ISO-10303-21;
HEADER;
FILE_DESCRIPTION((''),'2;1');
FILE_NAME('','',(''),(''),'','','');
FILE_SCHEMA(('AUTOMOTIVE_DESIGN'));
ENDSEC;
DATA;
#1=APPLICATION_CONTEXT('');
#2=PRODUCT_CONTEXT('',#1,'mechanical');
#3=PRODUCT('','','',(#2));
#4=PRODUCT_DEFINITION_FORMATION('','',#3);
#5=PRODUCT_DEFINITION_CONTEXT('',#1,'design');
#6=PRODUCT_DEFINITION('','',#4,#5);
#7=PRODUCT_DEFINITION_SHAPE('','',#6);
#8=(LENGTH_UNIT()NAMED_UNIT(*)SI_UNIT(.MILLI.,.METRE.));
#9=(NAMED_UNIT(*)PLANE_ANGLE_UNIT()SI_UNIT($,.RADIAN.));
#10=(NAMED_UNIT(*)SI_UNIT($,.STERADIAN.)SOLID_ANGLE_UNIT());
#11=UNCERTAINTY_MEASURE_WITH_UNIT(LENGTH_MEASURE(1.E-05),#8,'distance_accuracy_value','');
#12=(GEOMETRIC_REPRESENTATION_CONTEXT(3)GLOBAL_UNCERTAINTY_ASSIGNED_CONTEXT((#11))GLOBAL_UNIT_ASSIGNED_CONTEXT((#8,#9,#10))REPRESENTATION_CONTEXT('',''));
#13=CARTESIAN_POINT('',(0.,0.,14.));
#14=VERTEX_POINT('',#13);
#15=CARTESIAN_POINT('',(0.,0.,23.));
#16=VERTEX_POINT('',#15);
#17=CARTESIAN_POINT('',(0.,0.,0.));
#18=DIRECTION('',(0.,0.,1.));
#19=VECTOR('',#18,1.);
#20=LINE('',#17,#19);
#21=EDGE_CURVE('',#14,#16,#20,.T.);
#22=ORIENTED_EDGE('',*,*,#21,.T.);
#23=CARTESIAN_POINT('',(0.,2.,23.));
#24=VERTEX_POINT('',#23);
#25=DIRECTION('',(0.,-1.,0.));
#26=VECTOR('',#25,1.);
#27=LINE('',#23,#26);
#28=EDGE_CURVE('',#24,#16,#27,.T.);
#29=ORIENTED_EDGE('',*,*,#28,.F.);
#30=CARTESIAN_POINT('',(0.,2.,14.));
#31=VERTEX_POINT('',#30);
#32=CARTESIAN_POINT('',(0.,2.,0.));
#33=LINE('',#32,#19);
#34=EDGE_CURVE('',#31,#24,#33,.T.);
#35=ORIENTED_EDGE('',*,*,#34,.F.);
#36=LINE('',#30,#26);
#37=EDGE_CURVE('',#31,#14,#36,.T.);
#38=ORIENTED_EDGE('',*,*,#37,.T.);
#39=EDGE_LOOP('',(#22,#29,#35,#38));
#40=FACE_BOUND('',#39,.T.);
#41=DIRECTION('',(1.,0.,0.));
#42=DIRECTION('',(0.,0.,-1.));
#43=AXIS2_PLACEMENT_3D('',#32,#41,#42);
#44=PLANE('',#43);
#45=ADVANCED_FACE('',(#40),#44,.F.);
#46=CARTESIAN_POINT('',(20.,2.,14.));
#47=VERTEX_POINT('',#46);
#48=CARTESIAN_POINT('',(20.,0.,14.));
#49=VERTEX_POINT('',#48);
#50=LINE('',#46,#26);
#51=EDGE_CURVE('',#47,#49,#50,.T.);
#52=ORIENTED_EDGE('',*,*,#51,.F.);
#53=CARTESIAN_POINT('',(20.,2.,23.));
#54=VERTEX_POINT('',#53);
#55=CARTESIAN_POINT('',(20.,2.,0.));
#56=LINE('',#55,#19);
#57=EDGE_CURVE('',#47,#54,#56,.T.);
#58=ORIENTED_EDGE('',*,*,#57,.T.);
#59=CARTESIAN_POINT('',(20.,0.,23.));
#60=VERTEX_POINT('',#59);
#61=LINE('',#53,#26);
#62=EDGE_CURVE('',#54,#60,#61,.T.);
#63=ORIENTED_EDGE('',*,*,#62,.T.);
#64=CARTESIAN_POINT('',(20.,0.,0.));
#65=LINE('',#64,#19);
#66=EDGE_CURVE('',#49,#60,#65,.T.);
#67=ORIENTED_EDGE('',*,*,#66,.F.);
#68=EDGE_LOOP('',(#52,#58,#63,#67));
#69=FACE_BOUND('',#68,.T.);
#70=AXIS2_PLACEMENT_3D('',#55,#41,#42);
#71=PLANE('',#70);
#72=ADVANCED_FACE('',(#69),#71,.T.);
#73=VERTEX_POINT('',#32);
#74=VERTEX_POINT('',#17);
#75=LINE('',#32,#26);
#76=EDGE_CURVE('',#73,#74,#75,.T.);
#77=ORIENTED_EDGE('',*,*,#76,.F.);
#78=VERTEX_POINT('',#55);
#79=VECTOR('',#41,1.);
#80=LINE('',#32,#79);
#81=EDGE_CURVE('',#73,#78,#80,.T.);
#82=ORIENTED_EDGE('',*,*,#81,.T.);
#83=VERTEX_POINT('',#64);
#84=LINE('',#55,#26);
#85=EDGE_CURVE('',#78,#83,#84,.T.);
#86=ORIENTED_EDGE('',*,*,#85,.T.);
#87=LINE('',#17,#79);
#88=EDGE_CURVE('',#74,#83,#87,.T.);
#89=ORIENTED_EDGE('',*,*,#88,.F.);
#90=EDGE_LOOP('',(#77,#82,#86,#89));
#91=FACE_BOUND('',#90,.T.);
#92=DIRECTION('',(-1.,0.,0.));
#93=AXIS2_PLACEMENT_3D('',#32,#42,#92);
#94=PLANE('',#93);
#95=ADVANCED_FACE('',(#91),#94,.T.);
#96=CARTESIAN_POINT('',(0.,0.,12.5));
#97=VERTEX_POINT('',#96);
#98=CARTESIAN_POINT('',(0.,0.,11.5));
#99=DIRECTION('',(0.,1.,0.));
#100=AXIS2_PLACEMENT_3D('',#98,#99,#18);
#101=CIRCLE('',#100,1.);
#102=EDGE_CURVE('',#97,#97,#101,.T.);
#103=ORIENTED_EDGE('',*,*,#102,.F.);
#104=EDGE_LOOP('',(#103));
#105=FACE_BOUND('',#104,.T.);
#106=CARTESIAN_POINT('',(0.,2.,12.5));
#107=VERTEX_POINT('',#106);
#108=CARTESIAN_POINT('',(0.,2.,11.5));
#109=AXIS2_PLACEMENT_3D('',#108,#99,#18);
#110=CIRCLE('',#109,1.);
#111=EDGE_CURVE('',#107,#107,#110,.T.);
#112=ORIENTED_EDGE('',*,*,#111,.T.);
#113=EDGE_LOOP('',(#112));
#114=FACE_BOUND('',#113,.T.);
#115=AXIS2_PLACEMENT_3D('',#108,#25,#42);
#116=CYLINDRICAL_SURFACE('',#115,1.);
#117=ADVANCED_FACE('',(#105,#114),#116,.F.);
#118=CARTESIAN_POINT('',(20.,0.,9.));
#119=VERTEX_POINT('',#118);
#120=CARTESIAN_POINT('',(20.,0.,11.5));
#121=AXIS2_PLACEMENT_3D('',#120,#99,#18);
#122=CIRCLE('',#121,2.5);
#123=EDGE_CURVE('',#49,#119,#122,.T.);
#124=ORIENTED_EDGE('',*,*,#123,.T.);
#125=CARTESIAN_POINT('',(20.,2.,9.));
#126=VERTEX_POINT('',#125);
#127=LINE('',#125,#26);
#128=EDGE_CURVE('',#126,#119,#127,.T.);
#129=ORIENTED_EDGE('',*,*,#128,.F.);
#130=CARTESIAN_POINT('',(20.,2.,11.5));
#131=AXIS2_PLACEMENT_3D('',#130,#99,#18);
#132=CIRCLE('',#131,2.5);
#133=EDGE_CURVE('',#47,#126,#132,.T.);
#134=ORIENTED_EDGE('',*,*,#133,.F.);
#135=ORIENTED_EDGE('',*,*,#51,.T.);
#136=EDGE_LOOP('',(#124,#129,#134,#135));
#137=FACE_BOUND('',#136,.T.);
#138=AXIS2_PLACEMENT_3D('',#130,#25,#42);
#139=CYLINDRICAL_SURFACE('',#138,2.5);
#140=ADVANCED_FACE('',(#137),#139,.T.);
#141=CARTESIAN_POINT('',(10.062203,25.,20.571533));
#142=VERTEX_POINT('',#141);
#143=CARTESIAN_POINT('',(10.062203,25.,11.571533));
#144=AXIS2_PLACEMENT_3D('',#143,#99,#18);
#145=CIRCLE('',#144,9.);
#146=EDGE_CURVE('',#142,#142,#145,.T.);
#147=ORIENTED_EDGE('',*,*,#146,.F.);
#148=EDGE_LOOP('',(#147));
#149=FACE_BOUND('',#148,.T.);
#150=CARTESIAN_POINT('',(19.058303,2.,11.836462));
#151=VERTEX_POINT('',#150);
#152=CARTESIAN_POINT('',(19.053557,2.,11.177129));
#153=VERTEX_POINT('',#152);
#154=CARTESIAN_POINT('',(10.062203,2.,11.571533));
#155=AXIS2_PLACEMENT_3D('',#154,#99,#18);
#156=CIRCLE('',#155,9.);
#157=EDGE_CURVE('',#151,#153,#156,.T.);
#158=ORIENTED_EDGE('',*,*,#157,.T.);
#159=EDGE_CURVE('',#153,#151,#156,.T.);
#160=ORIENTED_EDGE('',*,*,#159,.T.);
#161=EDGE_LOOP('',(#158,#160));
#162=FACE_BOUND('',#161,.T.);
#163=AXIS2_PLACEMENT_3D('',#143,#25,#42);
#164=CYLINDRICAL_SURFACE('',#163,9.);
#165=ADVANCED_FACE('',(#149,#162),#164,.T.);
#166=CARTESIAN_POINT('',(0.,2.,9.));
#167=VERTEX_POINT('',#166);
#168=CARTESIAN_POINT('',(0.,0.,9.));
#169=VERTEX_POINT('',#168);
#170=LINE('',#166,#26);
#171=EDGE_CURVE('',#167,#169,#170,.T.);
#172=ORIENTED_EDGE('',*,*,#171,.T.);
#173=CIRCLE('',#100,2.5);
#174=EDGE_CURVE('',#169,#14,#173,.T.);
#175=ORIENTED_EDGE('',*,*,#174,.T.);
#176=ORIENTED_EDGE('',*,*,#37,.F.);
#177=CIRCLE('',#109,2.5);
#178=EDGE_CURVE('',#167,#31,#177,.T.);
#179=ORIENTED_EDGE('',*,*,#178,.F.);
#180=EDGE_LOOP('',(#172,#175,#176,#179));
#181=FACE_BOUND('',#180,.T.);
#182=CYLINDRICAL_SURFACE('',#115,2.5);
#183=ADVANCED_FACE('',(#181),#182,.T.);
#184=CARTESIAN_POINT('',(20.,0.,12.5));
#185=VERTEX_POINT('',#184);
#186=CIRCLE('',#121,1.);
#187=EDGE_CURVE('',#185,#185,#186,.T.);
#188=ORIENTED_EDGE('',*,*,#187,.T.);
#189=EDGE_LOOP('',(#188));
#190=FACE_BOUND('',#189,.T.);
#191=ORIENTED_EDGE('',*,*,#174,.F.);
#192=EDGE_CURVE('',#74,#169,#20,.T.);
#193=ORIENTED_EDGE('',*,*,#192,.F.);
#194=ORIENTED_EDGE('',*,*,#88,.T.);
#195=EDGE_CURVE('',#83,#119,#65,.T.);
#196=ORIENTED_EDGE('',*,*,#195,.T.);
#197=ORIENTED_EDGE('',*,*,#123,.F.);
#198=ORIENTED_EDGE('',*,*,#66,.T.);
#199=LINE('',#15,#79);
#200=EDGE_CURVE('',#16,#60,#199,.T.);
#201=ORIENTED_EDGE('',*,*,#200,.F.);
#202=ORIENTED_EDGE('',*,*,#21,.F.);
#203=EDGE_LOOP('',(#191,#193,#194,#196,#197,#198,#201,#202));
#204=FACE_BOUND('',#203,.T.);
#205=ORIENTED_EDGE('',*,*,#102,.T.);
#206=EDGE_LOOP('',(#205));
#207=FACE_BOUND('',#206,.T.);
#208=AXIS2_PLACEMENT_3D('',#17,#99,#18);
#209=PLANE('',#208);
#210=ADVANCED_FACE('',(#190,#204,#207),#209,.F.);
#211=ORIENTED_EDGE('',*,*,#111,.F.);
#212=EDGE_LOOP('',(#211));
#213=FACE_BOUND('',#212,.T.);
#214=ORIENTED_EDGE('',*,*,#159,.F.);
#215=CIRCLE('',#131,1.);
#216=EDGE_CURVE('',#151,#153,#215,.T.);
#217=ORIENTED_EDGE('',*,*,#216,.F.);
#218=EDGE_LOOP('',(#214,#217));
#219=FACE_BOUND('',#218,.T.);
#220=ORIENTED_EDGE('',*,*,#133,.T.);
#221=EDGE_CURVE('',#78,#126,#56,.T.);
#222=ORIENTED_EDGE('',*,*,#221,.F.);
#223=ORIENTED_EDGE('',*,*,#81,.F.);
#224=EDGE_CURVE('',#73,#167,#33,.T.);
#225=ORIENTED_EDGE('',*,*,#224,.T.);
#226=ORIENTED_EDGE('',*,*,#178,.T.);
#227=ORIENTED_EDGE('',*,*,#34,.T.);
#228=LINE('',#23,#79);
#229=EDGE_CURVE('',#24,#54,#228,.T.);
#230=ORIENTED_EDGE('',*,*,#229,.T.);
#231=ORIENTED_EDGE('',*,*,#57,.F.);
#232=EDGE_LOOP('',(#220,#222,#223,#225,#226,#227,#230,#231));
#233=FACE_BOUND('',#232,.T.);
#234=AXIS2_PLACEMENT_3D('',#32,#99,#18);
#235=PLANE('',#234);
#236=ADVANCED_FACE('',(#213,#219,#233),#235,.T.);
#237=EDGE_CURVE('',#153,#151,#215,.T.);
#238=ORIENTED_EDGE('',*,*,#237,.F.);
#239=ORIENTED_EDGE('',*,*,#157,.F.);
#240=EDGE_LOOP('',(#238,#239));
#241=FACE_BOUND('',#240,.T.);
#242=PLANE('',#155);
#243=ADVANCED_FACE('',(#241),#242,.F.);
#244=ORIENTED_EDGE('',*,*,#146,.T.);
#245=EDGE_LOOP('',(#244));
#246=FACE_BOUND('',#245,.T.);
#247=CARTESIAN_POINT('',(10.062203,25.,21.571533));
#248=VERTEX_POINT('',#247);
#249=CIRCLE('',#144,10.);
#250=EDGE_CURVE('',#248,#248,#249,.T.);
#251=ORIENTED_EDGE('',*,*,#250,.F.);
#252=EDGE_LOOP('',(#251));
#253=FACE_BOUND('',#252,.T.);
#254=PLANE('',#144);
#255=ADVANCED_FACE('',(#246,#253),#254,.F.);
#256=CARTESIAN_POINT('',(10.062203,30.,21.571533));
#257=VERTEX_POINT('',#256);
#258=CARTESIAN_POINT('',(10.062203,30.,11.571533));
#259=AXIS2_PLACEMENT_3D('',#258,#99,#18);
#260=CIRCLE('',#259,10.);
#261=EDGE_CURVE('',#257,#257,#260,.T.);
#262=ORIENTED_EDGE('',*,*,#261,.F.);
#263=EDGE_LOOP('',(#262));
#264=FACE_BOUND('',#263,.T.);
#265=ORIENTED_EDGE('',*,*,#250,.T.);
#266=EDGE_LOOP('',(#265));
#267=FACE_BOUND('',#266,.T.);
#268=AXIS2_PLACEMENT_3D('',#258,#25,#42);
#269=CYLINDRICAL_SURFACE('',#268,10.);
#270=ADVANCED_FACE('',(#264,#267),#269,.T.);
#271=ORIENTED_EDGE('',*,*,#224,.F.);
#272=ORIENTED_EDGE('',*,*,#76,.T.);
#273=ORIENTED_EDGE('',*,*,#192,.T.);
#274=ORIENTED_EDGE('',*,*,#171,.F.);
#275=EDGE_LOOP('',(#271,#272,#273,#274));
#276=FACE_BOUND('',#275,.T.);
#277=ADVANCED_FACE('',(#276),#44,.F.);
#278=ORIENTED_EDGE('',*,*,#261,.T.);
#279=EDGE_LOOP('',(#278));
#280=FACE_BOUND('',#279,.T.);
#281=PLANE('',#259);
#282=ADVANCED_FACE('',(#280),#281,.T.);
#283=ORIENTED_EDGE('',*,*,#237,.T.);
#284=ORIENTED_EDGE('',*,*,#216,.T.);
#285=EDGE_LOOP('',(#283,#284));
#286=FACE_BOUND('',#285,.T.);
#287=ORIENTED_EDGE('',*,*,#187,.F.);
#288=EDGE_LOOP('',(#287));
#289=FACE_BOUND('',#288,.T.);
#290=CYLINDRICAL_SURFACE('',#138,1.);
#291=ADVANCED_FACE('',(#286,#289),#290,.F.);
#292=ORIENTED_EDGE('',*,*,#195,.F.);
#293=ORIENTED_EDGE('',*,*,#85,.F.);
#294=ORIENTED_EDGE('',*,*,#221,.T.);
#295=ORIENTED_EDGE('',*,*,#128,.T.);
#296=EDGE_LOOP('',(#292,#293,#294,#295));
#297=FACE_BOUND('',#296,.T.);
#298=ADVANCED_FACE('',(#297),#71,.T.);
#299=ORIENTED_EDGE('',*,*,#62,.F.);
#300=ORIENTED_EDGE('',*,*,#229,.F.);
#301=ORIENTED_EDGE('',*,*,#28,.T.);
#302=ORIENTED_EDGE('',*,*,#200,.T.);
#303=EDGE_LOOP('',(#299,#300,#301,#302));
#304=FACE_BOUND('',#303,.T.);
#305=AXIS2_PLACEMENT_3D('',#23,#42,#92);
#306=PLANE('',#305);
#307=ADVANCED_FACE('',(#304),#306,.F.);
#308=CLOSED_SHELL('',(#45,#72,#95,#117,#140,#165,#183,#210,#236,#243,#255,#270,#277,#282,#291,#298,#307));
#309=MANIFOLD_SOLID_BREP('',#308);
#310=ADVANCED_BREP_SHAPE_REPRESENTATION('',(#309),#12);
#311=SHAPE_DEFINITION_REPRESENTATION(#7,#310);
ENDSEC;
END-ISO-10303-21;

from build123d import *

# Parameters (mm, degrees)
EXTRUDE_1_DEPTH = 2
SKETCH_2_R      = 9
EXTRUDE_2_DEPTH = 23
SKETCH_4_R      = 10
EXTRUDE_3_DEPTH = 5


with BuildPart() as part:
    # 草图1 → 凸台-拉伸1 (new body)
    with BuildSketch(Plane(origin=(0, 0, 0), x_dir=(1, 0, 0), z_dir=(0, 1, 0))):
        with BuildLine():
            Line((17.5, -11.5), (2.5, -11.5))
            ThreePointArc((2.5, -11.5), (1.767766953, -13.267766953), (0, -14))
            Line((0, -14), (0, -23))
            Line((0, -23), (20, -23))
            Line((20, -23), (20, -14))
            ThreePointArc((20, -14), (18.232233047, -13.267766953), (17.5, -11.5))
        make_face()
        with BuildLine():
            ThreePointArc((0, -9), (1.767766953, -9.732233047), (2.5, -11.5))
            Line((2.5, -11.5), (17.5, -11.5))
            ThreePointArc((17.5, -11.5), (18.232233047, -9.732233047), (20, -9))
            Line((20, -9), (20, 0))
            Line((20, 0), (0, 0))
            Line((0, 0), (0, -9))
        make_face()
        with BuildLine():
            ThreePointArc((0, -10.5), (0.707106781, -10.792893219), (1, -11.5))
            Line((1, -11.5), (2.5, -11.5))
            ThreePointArc((2.5, -11.5), (1.767766953, -9.732233047), (0, -9))
            Line((0, -9), (0, -10.5))
        make_face()
        with BuildLine():
            Line((2.5, -11.5), (1, -11.5))
            ThreePointArc((1, -11.5), (0.707106781, -12.207106781), (0, -12.5))
            Line((0, -12.5), (0, -14))
            ThreePointArc((0, -14), (1.767766953, -13.267766953), (2.5, -11.5))
        make_face()
        with BuildLine():
            ThreePointArc((0, -12.5), (-1, -11.5), (0, -10.5))
            Line((0, -10.5), (0, -9))
            ThreePointArc((0, -9), (-2.5, -11.5), (0, -14))
            Line((0, -14), (0, -12.5))
        make_face()
        with BuildLine():
            ThreePointArc((20, -9), (18.232233047, -9.732233047), (17.5, -11.5))
            Line((17.5, -11.5), (19, -11.5))
            ThreePointArc((19, -11.5), (19.292893219, -10.792893219), (20, -10.5))
            Line((20, -10.5), (20, -9))
        make_face()
        with BuildLine():
            Line((19, -11.5), (17.5, -11.5))
            ThreePointArc((17.5, -11.5), (18.232233047, -13.267766953), (20, -14))
            Line((20, -14), (20, -12.5))
            ThreePointArc((20, -12.5), (19.292893219, -12.207106781), (19, -11.5))
        make_face()
        with BuildLine():
            ThreePointArc((22.5, -11.5), (21.767766953, -9.732233047), (20, -9))
            Line((20, -9), (20, -10.5))
            ThreePointArc((20, -10.5), (20.707106781, -10.792893219), (21, -11.5))
            ThreePointArc((21, -11.5), (20.707106781, -12.207106781), (20, -12.5))
            Line((20, -12.5), (20, -14))
            ThreePointArc((20, -14), (21.767766953, -13.267766953), (22.5, -11.5))
        make_face()
    extrude(amount=EXTRUDE_1_DEPTH)

    # 草图2 → 凸台-拉伸2 (add)
    with BuildSketch(Plane(origin=(0, 2, 0), x_dir=(1, 0, 0), z_dir=(0, 1, 0))):
        with Locations(Location((10.062202952, -11.571533395, 0), (0, 0, 2.511658154))):
            Circle(SKETCH_2_R)
    extrude(amount=EXTRUDE_2_DEPTH)

    # 草图4 → 凸台-拉伸3 (add)
    with BuildSketch(Plane(origin=(0, 25, 0), x_dir=(1, 0, 0), z_dir=(0, 1, 0))):
        with Locations(Location((10.062202952, -11.571533395, 0), (0, 0, 270))):
            Circle(SKETCH_4_R)
    extrude(amount=EXTRUDE_3_DEPTH)


solid = part.part
